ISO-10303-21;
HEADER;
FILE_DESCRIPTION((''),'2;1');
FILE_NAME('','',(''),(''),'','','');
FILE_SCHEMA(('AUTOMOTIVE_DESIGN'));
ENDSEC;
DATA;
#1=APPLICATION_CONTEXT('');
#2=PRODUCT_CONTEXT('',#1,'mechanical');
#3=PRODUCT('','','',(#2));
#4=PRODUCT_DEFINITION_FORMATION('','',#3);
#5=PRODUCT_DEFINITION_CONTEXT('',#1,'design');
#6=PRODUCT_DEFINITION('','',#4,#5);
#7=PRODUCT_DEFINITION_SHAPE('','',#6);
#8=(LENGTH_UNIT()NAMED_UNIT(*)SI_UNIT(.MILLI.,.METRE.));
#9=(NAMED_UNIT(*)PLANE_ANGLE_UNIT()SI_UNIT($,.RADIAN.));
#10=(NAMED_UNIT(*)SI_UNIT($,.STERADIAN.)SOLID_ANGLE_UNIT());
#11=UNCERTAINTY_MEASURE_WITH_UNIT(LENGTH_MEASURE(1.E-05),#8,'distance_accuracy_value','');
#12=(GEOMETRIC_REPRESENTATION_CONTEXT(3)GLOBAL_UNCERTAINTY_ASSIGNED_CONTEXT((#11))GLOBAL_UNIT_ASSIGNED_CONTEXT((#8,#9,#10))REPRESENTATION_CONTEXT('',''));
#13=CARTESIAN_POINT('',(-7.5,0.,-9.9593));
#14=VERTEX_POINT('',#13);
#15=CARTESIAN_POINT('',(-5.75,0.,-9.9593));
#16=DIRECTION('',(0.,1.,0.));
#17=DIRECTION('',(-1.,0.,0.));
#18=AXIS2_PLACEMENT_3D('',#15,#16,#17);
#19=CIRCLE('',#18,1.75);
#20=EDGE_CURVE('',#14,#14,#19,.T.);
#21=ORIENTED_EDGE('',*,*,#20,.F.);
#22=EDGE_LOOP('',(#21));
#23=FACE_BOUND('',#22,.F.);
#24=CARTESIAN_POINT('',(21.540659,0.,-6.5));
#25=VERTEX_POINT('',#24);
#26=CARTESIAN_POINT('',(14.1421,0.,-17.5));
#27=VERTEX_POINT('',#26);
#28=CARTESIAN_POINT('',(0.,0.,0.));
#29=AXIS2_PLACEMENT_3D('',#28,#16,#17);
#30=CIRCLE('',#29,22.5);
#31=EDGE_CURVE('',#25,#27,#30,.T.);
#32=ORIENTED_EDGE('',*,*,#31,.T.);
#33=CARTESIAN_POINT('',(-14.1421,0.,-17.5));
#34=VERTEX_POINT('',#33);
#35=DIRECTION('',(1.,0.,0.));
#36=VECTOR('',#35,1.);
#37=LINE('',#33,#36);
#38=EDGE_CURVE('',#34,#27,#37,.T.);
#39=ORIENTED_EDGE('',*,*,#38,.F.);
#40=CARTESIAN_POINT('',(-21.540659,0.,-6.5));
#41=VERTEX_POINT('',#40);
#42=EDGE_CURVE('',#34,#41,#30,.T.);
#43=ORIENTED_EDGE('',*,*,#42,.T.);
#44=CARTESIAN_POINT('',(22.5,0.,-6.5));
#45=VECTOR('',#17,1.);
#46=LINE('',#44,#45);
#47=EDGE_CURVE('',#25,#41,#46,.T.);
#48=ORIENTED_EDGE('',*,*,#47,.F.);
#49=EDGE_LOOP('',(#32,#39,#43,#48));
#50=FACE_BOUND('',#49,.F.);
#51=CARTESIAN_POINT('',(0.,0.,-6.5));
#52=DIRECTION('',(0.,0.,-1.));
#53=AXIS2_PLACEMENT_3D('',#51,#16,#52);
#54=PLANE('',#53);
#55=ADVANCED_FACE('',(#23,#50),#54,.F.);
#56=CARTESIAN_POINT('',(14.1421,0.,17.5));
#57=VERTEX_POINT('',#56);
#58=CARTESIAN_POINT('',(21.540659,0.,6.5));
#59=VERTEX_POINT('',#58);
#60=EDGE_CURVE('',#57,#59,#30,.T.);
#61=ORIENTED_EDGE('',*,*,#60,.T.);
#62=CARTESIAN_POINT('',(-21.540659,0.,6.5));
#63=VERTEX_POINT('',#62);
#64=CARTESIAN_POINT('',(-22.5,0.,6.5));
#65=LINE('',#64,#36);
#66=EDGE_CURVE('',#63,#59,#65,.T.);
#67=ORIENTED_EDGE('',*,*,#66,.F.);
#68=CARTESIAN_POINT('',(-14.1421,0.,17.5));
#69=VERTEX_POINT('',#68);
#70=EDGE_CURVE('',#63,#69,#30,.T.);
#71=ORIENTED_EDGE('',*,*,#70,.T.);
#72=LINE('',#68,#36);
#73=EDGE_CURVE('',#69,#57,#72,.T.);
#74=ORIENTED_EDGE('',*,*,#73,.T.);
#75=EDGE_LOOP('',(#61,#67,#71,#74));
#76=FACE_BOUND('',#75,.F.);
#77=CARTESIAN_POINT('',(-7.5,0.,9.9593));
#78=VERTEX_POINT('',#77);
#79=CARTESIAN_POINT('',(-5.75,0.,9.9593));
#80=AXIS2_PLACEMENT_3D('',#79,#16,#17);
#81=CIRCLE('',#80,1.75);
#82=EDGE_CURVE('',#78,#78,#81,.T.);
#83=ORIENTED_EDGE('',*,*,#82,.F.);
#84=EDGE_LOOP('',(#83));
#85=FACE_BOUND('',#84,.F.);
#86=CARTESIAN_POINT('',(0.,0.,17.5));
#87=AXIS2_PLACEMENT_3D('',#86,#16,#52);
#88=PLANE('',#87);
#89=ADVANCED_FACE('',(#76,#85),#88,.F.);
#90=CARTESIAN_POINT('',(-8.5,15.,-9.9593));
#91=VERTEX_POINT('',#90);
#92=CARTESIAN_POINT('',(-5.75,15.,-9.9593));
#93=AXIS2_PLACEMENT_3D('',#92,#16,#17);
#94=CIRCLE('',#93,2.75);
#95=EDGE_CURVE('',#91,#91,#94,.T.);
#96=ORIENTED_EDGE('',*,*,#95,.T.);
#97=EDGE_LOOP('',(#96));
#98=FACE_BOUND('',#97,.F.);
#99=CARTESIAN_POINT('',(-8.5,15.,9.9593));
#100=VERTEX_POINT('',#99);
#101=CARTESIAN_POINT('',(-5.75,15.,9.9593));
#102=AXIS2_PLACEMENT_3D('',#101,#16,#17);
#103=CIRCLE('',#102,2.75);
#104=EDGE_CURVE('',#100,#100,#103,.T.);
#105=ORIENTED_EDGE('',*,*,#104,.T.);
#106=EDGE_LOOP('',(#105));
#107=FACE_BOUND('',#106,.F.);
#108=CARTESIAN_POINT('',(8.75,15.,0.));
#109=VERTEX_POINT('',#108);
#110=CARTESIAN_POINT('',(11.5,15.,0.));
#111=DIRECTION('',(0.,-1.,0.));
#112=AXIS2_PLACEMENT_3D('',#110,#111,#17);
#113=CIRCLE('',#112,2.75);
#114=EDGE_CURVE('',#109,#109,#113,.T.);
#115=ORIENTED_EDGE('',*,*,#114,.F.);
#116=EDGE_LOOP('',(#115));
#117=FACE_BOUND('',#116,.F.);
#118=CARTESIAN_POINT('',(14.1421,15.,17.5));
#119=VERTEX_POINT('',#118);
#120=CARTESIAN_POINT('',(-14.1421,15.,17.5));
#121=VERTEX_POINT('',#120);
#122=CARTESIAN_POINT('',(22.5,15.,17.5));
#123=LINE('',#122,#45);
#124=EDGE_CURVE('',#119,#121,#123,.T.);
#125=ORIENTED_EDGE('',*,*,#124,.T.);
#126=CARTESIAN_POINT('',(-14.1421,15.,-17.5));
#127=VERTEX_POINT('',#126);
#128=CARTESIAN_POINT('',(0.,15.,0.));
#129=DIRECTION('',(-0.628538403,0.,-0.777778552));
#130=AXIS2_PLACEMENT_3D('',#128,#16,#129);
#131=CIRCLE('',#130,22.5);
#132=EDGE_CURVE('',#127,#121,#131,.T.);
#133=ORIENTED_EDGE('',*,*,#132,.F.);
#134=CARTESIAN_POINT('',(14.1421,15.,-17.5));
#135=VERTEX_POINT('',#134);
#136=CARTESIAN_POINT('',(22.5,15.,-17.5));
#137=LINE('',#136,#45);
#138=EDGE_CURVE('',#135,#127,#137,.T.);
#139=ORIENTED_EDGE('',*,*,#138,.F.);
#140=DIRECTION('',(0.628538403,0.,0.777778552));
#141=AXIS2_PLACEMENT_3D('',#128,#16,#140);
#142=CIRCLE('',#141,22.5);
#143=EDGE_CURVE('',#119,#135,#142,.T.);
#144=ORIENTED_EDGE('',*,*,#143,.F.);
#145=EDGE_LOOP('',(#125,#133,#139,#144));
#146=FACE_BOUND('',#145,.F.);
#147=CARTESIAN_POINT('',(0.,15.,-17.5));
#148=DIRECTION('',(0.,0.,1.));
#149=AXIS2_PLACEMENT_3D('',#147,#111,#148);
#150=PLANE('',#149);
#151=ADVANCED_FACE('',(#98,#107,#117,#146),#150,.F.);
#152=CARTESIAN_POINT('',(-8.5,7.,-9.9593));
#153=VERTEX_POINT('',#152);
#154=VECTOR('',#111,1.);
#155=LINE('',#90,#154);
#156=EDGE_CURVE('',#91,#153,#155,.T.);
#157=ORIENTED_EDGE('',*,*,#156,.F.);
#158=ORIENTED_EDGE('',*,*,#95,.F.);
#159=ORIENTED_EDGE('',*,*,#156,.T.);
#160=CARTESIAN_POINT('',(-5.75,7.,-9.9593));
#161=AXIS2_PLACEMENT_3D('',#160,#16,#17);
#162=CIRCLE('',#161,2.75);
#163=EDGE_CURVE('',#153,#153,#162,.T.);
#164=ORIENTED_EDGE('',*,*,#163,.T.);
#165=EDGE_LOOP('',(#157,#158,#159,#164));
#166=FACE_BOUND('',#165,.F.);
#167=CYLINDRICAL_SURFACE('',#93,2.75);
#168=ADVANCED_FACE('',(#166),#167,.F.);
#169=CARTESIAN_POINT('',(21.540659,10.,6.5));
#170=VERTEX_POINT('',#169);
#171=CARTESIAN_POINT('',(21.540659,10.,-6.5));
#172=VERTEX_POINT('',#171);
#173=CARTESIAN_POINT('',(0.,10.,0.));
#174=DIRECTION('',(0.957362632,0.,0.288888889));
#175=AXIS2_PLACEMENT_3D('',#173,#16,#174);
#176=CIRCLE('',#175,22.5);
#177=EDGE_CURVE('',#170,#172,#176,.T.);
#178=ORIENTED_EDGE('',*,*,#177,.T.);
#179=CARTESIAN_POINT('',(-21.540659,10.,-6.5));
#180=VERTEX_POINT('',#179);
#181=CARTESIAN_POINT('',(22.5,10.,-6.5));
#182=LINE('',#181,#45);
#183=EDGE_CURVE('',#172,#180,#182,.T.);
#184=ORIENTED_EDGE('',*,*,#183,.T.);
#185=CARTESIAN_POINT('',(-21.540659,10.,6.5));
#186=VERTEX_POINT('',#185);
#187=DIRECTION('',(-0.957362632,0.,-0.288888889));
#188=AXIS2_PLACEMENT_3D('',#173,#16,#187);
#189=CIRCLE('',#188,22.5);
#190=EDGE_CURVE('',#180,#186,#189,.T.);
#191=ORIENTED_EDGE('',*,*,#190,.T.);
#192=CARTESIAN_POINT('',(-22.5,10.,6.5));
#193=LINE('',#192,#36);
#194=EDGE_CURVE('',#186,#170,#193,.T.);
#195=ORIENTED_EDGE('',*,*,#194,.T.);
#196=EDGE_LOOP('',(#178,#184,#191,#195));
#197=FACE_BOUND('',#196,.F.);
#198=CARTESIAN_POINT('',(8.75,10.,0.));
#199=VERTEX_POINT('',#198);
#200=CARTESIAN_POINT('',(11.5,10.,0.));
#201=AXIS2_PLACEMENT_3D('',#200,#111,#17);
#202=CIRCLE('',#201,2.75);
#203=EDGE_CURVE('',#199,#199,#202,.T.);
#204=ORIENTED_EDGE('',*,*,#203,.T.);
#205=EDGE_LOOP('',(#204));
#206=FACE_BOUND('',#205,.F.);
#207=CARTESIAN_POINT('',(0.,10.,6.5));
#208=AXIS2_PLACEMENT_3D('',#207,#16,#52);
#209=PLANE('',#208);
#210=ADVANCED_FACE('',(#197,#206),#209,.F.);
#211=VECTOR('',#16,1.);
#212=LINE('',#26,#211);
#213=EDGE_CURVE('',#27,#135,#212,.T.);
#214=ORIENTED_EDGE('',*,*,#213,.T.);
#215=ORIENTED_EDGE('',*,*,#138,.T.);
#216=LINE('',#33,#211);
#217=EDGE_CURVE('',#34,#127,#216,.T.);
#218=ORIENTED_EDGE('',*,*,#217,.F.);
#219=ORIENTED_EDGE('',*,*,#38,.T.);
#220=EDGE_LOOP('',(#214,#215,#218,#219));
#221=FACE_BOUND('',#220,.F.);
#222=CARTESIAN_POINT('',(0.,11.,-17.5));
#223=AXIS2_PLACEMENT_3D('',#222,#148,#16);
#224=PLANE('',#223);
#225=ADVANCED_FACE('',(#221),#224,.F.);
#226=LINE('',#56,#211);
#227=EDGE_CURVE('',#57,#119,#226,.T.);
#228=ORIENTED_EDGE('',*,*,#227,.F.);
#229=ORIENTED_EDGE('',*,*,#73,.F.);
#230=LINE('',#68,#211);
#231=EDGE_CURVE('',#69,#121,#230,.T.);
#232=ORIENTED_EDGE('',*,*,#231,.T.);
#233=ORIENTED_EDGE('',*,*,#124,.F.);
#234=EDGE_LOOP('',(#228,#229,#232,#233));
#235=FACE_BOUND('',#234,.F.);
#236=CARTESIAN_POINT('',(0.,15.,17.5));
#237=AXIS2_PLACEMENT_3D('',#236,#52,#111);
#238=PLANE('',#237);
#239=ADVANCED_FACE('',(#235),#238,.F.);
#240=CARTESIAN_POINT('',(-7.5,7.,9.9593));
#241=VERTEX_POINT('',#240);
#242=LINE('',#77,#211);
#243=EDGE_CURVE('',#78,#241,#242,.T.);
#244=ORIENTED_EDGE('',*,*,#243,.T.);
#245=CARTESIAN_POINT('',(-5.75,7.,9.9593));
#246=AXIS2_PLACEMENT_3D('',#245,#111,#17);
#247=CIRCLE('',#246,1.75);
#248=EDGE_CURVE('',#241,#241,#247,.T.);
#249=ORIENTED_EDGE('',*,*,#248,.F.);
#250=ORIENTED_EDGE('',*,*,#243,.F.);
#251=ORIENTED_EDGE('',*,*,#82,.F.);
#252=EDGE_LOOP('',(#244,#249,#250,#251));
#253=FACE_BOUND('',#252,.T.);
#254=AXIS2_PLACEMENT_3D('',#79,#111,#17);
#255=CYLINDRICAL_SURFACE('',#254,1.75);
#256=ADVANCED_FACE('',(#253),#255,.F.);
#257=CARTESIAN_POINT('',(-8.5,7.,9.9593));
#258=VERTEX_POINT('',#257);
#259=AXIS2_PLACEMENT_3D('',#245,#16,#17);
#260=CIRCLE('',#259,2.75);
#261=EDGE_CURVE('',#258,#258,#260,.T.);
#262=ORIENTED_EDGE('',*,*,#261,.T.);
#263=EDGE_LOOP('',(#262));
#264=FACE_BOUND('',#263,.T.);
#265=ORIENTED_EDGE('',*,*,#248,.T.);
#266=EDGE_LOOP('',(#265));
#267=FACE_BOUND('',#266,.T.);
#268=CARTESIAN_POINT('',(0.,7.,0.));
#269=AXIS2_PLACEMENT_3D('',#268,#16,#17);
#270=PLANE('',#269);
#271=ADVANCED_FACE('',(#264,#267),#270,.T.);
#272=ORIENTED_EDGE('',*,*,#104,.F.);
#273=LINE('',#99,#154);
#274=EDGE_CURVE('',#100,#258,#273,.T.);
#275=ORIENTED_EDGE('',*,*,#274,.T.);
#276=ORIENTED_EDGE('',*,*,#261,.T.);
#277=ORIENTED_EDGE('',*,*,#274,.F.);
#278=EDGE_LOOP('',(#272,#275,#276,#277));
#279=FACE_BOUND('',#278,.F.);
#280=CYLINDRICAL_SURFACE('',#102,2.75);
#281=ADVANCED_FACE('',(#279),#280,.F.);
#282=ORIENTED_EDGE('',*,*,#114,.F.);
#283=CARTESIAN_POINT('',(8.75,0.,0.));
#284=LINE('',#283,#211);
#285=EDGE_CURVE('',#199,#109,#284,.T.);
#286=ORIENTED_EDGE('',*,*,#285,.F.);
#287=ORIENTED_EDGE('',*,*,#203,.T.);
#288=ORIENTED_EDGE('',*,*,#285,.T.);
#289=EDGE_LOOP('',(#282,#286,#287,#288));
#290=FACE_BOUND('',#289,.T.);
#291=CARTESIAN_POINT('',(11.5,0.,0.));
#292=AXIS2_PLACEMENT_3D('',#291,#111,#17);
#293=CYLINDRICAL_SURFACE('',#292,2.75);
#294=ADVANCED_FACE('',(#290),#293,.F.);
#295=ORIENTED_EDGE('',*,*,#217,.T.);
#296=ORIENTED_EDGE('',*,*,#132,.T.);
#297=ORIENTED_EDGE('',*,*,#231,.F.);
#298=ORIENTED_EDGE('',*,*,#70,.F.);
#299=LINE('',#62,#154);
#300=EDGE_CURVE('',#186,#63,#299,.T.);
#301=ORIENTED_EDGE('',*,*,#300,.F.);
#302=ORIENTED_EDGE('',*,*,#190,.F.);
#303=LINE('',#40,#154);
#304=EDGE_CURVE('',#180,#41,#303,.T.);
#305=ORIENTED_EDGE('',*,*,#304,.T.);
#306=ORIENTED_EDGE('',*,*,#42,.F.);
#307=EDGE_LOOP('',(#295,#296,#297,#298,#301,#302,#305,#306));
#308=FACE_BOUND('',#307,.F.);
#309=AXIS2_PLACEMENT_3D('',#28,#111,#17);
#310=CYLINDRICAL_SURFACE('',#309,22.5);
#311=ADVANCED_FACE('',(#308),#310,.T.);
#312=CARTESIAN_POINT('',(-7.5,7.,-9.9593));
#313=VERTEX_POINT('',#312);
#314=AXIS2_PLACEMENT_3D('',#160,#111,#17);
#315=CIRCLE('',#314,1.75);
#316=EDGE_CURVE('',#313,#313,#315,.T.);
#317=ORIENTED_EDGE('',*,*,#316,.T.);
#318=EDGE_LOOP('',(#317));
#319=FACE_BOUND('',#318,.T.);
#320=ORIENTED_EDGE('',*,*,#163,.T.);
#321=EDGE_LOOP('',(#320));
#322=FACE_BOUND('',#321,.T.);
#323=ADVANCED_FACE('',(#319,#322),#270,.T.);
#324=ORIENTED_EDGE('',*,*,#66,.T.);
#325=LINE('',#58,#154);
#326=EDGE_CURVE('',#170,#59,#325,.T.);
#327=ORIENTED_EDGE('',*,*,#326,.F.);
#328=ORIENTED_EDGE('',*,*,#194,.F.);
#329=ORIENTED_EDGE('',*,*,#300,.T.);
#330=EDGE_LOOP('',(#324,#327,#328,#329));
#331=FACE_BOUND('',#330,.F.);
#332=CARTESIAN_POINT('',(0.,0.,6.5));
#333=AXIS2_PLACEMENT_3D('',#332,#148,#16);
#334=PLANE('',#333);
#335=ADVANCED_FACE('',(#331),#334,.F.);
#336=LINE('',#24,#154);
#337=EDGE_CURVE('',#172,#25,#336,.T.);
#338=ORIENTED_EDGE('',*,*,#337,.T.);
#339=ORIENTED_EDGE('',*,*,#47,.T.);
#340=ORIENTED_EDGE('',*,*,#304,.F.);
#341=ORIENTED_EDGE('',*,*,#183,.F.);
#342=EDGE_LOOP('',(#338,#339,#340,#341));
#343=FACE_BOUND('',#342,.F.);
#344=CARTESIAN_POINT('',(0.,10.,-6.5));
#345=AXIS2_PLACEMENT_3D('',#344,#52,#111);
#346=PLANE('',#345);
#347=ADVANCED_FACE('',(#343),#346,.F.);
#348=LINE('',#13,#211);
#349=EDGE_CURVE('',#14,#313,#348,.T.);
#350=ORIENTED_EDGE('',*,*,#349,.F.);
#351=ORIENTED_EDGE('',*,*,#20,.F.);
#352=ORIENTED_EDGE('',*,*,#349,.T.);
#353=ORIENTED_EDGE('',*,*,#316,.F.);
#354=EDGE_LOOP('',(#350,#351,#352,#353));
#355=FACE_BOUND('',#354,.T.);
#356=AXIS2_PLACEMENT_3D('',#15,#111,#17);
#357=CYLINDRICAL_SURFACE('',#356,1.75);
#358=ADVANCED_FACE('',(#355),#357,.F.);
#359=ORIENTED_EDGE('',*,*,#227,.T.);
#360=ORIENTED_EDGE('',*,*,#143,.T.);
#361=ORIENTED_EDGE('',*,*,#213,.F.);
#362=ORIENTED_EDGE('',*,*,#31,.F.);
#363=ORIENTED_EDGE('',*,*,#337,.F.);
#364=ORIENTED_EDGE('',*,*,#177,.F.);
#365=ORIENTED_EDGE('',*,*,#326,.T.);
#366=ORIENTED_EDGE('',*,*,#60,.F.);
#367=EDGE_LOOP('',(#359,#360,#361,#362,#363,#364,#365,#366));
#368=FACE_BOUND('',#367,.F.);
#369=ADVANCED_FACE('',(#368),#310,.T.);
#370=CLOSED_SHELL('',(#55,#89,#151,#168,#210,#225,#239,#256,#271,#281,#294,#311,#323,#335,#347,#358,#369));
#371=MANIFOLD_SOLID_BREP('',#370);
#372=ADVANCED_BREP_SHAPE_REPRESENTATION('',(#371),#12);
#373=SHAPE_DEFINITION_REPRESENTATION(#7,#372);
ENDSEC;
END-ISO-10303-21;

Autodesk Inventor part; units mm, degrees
ref_plane "YZ Plane" through (0, 0, 0) normal (1, 0, 0) x (0, 1, 0)
ref_plane "XZ Plane" through (0, 0, 0) normal (0, 1, 0) x (-1, 0, 0)
ref_plane "XY Plane" through (0, 0, 0) normal (0, 0, 1) x (1, 0, 0)
sketch "Sketch1" plane through (0, 0, 0) normal (0, 1, 0) x (-1, 0, 0)
  circle A0 centre (0, 0) radius 11.5 construction
  line L0 (0, 0) -> (5.75, 9.9593) construction
  line L1 (0, 0) -> (5.75, -9.9593) construction
  line L2 (11.5, 0) -> (0, 0) construction
  circle A1 centre (5.75, 9.9593) radius 1.75
  circle A2 centre (5.75, -9.9593) radius 1.75
  circle A3 centre (0, 0) radius 22.5
  line L3 (14.1421, 17.5) -> (-14.1421, 17.5)
  line L4 (14.1421, -17.5) -> (-14.1421, -17.5)
  line L5 (-22.5, -22.5) -> (22.5, -22.5)
  line L6 (22.5, -22.5) -> (22.5, 22.5)
  line L7 (22.5, 22.5) -> (-22.5, 22.5)
  line L8 (-22.5, 22.5) -> (-22.5, -22.5)
  line L9 (-22.5, -22.5) -> (22.5, 22.5) construction
  line L10 (22.5, -22.5) -> (-22.5, 22.5) construction
  circle A4 centre (-11.5, 0) radius 2.75
  circle A5 centre (5.75, 9.9593) radius 2.75
  circle A6 centre (5.75, -9.9593) radius 2.75
  point P0 (-22.5, 0)
  point P1 (22.5, 0)
  dimension "d0" = 23
  dimension "d1" = 60
  dimension "d2" = 3.5
  dimension "d6" = 35
  dimension "d7" = 45
  dimension "d16" = 5.5
sketch "Sketch2" plane through (0, 0, 0) normal (1, 0, 0) x (0, 1, 0)
  line L0 (0, 17.5) -> (0, 6.5)
  line L1 (0, 6.5) -> (10, 6.5)
  line L2 (10, 6.5) -> (10, -6.5)
  line L3 (10, -6.5) -> (0, -6.5)
  line L4 (0, -6.5) -> (0, -17.5)
  line L5 (11, -17.5) -> (15, -17.5)
  line L6 (15, -17.5) -> (15, 17.5)
  line L7 (15, 17.5) -> (0, 17.5)
  line L8 (11, -17.5) -> (0, -17.5)
  line L9 (0, 0) -> (15, 0) construction
  point P0 (0, -17.5)
  dimension "d5" = 15
  dimension "d14" = 13
  dimension "d15" = 5
extrude "Extrusion1" add sketch "Sketch2" along normal mid plane 45
extrude "Extrusion2" cut sketch "Sketch1" along normal through all contours L6 L5 A3 | A3 L7 L6 | L3 A3 | A3 L4 | A3 L8 L7 | L5 L8 A3
extrude "Extrusion3" cut sketch "Sketch1" along normal through all contours A1 | A2
extrude "Extrusion4" cut sketch "Sketch1" along normal through all contours A4
extrude "Extrusion5" cut sketch "Sketch1" against normal blind 8 from surface at 15 contours A1 | A2 | A5 | A6
properties part number "back_hip_cable_protector"
